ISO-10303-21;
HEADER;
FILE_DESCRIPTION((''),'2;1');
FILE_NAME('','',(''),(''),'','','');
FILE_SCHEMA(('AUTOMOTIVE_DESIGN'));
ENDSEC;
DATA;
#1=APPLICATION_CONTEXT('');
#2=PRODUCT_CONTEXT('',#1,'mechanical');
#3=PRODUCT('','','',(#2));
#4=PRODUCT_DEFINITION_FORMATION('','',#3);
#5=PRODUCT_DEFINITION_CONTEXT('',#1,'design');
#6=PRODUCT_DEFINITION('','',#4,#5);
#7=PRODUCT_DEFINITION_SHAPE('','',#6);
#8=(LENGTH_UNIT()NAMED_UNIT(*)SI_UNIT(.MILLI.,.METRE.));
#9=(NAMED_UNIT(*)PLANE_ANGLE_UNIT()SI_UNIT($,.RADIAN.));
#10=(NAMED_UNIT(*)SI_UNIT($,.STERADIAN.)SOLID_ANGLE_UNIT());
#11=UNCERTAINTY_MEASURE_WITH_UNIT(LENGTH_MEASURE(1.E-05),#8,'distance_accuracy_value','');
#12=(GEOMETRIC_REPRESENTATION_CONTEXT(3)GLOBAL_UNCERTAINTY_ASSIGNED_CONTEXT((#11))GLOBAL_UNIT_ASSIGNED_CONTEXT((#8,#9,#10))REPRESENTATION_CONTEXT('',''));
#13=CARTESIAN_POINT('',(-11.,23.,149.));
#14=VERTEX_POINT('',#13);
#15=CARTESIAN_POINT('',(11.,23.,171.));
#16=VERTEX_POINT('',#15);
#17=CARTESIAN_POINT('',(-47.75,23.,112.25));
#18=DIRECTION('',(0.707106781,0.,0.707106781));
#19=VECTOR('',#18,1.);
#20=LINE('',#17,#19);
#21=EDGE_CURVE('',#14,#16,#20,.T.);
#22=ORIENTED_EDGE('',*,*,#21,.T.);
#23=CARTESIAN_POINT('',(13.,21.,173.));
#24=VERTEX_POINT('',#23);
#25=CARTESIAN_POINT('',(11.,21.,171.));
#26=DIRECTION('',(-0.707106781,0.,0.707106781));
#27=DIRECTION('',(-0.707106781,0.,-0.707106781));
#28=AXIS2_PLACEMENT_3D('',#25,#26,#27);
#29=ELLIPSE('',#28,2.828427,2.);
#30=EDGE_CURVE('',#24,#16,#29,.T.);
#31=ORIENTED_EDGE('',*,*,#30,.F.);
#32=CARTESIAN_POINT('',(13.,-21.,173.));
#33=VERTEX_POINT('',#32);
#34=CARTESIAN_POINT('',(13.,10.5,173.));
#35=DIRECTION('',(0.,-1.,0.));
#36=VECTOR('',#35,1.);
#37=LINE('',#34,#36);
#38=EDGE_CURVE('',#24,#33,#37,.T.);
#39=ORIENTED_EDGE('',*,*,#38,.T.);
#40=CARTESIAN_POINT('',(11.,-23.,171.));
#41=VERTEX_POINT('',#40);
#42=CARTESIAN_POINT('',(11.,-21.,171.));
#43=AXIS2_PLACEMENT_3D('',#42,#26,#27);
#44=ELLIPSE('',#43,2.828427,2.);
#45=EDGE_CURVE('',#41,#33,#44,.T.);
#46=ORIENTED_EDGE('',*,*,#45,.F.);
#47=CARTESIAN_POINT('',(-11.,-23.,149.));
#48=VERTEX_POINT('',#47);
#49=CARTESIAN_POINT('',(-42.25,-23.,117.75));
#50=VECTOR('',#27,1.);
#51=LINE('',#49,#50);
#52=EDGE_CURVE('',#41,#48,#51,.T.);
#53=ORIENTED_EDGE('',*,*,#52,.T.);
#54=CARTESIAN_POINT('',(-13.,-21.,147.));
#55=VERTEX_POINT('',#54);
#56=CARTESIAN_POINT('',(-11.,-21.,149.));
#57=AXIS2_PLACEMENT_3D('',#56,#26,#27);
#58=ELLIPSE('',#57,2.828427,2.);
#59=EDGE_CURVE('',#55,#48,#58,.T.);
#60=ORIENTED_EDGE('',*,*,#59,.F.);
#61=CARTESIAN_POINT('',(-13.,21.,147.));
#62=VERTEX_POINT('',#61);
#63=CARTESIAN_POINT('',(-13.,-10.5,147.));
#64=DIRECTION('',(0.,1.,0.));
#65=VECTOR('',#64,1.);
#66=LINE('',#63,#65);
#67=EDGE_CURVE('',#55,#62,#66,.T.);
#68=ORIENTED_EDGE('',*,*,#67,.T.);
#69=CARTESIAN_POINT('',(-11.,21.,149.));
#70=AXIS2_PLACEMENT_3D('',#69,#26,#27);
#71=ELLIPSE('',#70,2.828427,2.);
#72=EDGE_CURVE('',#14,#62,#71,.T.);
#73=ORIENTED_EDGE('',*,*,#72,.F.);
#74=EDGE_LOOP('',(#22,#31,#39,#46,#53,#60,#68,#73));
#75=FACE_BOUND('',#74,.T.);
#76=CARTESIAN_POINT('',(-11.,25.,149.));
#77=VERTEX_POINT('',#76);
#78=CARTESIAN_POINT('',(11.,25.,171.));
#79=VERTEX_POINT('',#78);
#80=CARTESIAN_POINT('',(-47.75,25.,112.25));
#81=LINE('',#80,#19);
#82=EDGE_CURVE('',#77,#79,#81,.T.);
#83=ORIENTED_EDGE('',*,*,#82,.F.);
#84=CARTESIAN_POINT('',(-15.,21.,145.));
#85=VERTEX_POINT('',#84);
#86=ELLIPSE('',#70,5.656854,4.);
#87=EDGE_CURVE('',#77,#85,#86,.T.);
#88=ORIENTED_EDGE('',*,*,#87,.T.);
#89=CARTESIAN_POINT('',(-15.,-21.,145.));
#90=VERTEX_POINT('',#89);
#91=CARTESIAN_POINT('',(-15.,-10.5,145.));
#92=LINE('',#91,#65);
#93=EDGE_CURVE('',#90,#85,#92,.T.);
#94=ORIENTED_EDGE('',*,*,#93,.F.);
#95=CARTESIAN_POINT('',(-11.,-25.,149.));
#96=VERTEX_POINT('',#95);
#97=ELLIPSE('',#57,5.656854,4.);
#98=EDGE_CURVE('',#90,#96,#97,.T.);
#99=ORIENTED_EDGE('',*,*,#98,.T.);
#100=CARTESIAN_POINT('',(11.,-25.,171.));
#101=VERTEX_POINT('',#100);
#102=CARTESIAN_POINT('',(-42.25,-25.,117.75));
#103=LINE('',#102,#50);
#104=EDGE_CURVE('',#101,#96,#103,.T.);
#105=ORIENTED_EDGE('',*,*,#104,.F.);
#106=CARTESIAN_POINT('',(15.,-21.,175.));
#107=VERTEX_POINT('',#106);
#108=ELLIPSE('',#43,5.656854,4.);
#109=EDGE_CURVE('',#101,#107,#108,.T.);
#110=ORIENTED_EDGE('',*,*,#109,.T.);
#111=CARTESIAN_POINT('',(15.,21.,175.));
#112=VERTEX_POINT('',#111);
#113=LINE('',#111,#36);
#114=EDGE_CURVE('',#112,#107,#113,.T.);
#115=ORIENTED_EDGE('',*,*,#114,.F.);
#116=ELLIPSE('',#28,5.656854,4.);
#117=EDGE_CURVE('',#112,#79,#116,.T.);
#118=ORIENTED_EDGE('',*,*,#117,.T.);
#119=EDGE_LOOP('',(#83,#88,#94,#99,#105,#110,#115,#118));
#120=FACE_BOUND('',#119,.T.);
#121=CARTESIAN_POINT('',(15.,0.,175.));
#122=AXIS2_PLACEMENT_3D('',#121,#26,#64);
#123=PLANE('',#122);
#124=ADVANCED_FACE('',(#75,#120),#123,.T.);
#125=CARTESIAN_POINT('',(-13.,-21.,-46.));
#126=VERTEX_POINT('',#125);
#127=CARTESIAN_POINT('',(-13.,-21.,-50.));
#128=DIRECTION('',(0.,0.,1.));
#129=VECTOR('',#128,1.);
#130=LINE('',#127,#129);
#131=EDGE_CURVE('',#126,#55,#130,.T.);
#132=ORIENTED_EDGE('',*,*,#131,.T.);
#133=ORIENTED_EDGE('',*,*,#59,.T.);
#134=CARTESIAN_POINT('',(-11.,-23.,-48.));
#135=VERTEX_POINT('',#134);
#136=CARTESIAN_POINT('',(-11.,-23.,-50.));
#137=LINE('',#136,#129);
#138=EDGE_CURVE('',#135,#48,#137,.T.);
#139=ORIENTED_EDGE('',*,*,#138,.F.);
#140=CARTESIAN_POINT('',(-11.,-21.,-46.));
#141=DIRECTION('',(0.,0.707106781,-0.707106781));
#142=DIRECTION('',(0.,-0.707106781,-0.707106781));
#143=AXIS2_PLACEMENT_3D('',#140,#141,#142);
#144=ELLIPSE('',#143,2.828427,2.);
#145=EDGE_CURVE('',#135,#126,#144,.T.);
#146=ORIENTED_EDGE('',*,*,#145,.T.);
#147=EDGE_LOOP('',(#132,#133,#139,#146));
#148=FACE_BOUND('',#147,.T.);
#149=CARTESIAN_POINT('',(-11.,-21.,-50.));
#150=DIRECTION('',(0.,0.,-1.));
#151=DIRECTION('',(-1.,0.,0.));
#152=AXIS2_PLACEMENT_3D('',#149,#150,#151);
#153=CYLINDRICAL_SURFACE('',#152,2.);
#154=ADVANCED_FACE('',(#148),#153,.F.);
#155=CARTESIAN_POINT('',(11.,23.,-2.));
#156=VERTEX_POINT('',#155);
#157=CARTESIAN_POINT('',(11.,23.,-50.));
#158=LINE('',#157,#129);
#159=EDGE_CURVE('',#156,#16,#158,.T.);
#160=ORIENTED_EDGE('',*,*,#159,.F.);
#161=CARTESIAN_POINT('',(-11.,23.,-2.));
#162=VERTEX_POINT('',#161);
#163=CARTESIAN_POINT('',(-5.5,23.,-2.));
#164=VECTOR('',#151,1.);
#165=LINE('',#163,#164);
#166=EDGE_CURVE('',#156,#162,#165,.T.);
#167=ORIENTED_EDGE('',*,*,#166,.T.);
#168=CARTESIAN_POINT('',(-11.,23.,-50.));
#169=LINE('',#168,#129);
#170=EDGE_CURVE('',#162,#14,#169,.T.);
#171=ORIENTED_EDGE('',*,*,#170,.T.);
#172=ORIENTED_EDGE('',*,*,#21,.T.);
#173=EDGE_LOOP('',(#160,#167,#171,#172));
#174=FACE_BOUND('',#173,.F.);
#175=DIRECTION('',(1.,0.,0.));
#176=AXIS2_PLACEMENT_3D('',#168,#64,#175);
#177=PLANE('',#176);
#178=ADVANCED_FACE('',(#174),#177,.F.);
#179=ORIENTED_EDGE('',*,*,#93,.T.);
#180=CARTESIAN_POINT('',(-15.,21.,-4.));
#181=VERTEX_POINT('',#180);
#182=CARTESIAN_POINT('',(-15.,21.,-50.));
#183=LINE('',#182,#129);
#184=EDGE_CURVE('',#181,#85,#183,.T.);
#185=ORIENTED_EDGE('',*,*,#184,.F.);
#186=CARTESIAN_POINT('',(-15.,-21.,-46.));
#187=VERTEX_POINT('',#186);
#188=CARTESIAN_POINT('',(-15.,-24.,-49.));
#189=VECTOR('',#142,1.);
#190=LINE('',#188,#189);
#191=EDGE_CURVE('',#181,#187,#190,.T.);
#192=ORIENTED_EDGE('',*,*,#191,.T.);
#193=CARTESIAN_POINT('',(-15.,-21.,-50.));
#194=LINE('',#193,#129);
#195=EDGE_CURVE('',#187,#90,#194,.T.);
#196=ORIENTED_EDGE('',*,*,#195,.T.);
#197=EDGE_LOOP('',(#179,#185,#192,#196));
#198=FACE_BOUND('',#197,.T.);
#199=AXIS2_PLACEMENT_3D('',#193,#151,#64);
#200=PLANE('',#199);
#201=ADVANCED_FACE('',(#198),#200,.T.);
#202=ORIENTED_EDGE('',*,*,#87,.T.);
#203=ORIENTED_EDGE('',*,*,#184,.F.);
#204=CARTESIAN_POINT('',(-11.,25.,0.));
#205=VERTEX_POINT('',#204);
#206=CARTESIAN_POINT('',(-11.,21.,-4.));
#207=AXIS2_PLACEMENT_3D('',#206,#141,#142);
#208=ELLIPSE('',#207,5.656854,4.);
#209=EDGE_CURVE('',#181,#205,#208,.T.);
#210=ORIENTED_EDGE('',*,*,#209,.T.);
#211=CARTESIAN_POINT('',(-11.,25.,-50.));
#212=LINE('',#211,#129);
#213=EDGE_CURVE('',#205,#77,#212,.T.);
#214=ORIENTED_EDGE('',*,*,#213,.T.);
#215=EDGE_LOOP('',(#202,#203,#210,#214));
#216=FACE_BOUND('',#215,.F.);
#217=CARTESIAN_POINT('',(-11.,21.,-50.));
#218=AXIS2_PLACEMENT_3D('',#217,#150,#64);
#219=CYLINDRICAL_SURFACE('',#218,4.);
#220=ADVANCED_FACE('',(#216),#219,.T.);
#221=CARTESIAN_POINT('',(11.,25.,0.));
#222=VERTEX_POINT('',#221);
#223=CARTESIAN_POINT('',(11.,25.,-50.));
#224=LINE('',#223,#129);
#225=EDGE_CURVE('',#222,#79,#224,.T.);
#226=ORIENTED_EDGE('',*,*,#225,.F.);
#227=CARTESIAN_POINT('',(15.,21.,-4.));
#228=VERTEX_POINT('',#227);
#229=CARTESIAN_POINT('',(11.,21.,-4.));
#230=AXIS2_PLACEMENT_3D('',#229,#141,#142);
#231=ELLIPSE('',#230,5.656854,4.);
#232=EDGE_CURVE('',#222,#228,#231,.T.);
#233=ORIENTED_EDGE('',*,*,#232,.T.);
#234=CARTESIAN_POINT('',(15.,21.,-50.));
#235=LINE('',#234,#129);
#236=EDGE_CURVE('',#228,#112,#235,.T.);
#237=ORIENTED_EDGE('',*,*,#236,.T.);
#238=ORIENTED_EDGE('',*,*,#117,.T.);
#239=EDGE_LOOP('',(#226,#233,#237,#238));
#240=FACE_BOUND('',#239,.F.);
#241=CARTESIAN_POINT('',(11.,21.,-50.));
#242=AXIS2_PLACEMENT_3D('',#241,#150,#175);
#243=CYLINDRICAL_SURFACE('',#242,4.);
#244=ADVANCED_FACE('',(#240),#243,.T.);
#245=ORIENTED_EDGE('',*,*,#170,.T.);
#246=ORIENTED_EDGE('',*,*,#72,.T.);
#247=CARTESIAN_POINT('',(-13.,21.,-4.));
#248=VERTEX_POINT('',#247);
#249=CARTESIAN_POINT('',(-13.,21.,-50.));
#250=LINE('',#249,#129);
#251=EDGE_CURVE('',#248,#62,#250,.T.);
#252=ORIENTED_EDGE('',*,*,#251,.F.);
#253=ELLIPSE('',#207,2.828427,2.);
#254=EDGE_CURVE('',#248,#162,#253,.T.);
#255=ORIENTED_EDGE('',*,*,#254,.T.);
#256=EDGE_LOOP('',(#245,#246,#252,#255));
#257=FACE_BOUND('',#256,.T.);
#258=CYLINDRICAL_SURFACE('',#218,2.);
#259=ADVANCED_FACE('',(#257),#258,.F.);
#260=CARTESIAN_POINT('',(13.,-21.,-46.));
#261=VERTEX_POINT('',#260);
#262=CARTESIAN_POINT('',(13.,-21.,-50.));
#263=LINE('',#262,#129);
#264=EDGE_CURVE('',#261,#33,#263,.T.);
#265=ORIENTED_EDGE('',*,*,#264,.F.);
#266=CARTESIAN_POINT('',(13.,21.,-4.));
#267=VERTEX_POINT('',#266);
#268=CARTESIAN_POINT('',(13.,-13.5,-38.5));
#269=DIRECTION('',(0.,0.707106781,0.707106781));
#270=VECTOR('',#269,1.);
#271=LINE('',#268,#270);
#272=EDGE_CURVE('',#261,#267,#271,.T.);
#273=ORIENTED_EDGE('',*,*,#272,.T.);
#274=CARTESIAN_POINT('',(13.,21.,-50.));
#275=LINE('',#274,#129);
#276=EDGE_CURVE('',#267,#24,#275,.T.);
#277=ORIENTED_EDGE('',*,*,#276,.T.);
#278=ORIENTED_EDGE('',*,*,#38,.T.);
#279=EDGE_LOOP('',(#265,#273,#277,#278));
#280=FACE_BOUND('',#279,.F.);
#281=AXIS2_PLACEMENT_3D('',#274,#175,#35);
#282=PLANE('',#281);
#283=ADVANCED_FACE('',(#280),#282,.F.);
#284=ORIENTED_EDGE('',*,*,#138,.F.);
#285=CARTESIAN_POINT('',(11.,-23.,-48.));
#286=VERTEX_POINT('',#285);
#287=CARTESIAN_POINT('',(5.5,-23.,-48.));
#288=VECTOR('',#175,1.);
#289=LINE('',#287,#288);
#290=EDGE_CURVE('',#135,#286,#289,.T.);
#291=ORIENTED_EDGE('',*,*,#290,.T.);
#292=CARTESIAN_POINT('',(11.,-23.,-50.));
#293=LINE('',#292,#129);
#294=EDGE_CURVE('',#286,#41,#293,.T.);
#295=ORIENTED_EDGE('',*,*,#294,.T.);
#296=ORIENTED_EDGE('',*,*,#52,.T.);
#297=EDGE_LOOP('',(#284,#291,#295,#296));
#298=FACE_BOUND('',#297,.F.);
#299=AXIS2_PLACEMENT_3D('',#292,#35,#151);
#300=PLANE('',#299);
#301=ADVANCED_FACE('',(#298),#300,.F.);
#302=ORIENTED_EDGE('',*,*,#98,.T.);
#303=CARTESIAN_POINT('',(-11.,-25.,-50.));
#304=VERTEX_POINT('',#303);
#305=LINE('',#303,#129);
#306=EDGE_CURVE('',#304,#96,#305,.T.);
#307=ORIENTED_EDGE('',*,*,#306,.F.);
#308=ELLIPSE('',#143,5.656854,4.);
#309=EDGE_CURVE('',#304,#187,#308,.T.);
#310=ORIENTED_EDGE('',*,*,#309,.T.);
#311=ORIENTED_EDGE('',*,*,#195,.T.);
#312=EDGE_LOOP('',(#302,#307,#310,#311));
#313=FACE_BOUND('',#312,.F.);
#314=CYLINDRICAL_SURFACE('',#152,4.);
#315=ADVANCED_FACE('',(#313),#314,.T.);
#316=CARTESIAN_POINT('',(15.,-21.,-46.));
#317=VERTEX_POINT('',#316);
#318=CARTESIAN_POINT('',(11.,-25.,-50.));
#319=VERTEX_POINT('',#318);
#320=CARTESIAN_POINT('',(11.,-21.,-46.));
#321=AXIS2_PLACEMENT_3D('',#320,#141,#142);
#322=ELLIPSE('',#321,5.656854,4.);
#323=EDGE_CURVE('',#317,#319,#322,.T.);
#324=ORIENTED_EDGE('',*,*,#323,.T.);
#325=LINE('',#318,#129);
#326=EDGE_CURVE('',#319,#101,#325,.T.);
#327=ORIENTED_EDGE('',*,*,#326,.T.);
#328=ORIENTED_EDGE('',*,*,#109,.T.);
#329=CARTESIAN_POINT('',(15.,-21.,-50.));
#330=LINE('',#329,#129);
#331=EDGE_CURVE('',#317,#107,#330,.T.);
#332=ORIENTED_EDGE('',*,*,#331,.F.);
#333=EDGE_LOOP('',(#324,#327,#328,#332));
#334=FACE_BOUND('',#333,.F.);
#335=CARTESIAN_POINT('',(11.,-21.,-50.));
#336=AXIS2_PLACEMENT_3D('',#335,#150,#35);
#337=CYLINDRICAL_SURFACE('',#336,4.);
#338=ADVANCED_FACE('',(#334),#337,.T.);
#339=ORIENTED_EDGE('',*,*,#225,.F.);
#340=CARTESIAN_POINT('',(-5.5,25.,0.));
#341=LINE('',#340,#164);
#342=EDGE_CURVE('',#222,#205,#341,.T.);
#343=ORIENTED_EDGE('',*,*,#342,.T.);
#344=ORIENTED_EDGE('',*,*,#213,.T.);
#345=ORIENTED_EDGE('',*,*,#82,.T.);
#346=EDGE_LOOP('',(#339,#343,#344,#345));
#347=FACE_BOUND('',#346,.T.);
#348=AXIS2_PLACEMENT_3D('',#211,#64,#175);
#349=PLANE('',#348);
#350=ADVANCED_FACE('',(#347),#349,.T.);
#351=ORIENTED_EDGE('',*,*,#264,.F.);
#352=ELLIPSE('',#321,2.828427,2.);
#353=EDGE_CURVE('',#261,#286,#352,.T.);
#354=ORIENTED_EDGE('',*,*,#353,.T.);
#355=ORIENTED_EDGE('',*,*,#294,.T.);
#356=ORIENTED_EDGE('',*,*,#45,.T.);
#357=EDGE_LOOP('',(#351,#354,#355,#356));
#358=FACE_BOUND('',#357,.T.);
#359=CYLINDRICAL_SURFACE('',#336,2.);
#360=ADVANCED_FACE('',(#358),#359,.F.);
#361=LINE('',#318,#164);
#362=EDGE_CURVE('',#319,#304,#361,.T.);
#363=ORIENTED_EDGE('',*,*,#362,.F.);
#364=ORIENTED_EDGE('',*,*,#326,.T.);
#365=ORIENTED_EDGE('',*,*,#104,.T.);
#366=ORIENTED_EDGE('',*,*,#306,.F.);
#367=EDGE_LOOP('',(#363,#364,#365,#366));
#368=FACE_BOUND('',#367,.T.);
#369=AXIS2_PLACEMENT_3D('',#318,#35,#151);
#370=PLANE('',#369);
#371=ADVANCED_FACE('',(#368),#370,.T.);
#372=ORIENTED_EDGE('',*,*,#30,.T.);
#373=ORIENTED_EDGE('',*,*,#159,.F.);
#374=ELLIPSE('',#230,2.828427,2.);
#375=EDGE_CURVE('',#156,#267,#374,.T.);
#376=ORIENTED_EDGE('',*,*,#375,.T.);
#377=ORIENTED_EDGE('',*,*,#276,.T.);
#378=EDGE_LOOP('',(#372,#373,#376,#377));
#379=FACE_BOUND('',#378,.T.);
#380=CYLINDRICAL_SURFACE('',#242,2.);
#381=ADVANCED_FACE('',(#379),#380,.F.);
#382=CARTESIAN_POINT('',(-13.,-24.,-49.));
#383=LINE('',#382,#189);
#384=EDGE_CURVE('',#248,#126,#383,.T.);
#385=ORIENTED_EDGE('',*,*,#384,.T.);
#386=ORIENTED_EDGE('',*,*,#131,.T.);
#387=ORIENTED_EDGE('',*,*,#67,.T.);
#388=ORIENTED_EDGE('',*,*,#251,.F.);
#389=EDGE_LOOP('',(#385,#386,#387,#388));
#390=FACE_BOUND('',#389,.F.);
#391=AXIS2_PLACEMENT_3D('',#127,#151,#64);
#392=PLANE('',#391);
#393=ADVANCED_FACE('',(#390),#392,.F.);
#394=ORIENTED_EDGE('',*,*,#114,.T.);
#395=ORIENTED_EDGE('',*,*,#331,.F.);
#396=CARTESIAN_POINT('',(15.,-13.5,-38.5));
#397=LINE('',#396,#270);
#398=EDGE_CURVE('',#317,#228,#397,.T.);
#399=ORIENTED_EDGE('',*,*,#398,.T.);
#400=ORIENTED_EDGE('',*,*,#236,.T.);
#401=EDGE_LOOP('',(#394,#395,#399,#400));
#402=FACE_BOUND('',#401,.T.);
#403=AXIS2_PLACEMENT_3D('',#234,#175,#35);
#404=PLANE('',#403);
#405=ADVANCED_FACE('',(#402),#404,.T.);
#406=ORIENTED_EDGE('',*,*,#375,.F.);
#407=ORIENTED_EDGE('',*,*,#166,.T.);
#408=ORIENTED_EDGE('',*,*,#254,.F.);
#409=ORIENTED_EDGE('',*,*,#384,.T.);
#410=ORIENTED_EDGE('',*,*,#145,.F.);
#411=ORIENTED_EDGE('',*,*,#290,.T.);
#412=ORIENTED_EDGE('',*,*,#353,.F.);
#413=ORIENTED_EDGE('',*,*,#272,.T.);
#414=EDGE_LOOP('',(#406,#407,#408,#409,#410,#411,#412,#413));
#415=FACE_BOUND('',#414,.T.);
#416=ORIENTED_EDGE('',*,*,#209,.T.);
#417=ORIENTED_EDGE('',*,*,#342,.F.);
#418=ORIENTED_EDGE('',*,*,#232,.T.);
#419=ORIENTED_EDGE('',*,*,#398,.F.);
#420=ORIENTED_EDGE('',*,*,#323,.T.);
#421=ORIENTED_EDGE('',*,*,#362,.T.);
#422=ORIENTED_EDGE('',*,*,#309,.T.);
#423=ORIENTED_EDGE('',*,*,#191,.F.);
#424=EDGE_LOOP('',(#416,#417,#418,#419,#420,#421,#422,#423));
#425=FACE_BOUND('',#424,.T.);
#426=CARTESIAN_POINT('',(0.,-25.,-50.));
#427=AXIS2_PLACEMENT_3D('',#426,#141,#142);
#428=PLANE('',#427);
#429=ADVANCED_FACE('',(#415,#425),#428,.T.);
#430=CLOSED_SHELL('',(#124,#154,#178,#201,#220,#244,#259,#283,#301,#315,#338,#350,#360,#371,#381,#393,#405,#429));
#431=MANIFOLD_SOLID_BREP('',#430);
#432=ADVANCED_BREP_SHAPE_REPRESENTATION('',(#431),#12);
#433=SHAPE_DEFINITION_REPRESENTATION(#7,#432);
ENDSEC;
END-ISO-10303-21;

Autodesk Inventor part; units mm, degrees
ref_plane "Plano inicial" through (0, 0, -50) normal (0, 0, 1) x (1, 0, 0)
ref_plane "Plano final" through (0, 0, 175) normal (0, 0, 1) x (1, 0, 0)
sketch "Rascunho" plane through (0, 0, 0) normal (0, 0, 1) x (1, 0, 0)
  line L0 (-15, -21) -> (-15, 21)
  line L1 (-11, 25) -> (11, 25)
  line L2 (15, 21) -> (15, -21)
  line L3 (11, -25) -> (-11, -25)
  arc A0 (-15, -21) -> (-11, -25) centre (-11, -21) ccw
  arc A1 (15, 21) -> (11, 25) centre (11, 21) ccw
  arc A2 (-11, 25) -> (-15, 21) centre (-11, 21) ccw
  arc A3 (11, -25) -> (15, -21) centre (11, -21) ccw
  arc A4 (-11, 23) -> (-13, 21) centre (-11, 21) ccw
  line L4 (-11, 23) -> (11, 23)
  arc A5 (13, 21) -> (11, 23) centre (11, 21) ccw
  line L5 (13, 21) -> (13, -21)
  arc A6 (11, -23) -> (13, -21) centre (11, -21) ccw
  line L6 (11, -23) -> (-11, -23)
  arc A7 (-13, -21) -> (-11, -23) centre (-11, -21) ccw
  line L7 (-13, -21) -> (-13, 21)
  line L8 (0, 36.1598) -> (0, -36.1598) construction
  line L9 (-22.1598, 0) -> (22.1598, 0) construction
  dimension "d7" = 4
  dimension "d9" = 30
  dimension "d11" = 50
  dimension "d12" = 2
  dimension "d15" = 15
  dimension "d16" = 25
extrude "Corpo" add sketch "Rascunho" along normal up to surface (225 mm away) from surface at -50
sketch "Sketch3" plane through (0, 0, 0) normal (0, 0, 1) x (1, 0, 0)
  line L0 (0, 0) -> (10, 0)
ref_plane "Work Plane3" through (0, 0, 0) normal (0, -1, 0) x (1, 0, 0)
sketch "Sketch4" plane through (0, 0, 0) normal (0, -1, 0) x (1, 0, 0)
  line L0 (-2, -50) -> (12, -50)
  line L1 (-2, 175) -> (12, 175)
  dimension "d18" = 225
ref_plane "Plano de trabalho7" through (0, -25, -50) normal (0, 0.7071, -0.7071) x (1, 0, 0)
split "Dividir4" plane through (0, -25, -50) removes the side toward (0, 0.7071, -0.7071)
ref_plane "Plano de trabalho10" through (15, 0, 175) normal (-0.7071, 0, 0.7071) x (0.7071, 0, 0.7071)
split "Dividir7" plane through (15, 0, 175) removes the side toward (-0.7071, 0, 0.7071)
equation "\"d7\" = G_IR"
equation "\"d9\" = G_W"
equation "\"d11\" = G_H"
equation "\"d12\" = G_T"
equation "\"d15\" = 0.5 * d9"
equation "\"d16\" = 0.5 * d11"
equation "\"d3\" = G_L"
equation "\"G_W\" = 30"
equation "\"G_H\" = 50"
equation "\"G_T\" = 2"
equation "\"G_IR\" = 4"
equation "\"G_L\" = d18"
equation "\"G_OFFSET_END\" = 0"
equation "\"d14\" = G_OFFSET_END + B_L"
equation "\"B_L\" = 175"
properties part number "ISO 4019 - 50x30x2 - 225" material "Aço, suave"
